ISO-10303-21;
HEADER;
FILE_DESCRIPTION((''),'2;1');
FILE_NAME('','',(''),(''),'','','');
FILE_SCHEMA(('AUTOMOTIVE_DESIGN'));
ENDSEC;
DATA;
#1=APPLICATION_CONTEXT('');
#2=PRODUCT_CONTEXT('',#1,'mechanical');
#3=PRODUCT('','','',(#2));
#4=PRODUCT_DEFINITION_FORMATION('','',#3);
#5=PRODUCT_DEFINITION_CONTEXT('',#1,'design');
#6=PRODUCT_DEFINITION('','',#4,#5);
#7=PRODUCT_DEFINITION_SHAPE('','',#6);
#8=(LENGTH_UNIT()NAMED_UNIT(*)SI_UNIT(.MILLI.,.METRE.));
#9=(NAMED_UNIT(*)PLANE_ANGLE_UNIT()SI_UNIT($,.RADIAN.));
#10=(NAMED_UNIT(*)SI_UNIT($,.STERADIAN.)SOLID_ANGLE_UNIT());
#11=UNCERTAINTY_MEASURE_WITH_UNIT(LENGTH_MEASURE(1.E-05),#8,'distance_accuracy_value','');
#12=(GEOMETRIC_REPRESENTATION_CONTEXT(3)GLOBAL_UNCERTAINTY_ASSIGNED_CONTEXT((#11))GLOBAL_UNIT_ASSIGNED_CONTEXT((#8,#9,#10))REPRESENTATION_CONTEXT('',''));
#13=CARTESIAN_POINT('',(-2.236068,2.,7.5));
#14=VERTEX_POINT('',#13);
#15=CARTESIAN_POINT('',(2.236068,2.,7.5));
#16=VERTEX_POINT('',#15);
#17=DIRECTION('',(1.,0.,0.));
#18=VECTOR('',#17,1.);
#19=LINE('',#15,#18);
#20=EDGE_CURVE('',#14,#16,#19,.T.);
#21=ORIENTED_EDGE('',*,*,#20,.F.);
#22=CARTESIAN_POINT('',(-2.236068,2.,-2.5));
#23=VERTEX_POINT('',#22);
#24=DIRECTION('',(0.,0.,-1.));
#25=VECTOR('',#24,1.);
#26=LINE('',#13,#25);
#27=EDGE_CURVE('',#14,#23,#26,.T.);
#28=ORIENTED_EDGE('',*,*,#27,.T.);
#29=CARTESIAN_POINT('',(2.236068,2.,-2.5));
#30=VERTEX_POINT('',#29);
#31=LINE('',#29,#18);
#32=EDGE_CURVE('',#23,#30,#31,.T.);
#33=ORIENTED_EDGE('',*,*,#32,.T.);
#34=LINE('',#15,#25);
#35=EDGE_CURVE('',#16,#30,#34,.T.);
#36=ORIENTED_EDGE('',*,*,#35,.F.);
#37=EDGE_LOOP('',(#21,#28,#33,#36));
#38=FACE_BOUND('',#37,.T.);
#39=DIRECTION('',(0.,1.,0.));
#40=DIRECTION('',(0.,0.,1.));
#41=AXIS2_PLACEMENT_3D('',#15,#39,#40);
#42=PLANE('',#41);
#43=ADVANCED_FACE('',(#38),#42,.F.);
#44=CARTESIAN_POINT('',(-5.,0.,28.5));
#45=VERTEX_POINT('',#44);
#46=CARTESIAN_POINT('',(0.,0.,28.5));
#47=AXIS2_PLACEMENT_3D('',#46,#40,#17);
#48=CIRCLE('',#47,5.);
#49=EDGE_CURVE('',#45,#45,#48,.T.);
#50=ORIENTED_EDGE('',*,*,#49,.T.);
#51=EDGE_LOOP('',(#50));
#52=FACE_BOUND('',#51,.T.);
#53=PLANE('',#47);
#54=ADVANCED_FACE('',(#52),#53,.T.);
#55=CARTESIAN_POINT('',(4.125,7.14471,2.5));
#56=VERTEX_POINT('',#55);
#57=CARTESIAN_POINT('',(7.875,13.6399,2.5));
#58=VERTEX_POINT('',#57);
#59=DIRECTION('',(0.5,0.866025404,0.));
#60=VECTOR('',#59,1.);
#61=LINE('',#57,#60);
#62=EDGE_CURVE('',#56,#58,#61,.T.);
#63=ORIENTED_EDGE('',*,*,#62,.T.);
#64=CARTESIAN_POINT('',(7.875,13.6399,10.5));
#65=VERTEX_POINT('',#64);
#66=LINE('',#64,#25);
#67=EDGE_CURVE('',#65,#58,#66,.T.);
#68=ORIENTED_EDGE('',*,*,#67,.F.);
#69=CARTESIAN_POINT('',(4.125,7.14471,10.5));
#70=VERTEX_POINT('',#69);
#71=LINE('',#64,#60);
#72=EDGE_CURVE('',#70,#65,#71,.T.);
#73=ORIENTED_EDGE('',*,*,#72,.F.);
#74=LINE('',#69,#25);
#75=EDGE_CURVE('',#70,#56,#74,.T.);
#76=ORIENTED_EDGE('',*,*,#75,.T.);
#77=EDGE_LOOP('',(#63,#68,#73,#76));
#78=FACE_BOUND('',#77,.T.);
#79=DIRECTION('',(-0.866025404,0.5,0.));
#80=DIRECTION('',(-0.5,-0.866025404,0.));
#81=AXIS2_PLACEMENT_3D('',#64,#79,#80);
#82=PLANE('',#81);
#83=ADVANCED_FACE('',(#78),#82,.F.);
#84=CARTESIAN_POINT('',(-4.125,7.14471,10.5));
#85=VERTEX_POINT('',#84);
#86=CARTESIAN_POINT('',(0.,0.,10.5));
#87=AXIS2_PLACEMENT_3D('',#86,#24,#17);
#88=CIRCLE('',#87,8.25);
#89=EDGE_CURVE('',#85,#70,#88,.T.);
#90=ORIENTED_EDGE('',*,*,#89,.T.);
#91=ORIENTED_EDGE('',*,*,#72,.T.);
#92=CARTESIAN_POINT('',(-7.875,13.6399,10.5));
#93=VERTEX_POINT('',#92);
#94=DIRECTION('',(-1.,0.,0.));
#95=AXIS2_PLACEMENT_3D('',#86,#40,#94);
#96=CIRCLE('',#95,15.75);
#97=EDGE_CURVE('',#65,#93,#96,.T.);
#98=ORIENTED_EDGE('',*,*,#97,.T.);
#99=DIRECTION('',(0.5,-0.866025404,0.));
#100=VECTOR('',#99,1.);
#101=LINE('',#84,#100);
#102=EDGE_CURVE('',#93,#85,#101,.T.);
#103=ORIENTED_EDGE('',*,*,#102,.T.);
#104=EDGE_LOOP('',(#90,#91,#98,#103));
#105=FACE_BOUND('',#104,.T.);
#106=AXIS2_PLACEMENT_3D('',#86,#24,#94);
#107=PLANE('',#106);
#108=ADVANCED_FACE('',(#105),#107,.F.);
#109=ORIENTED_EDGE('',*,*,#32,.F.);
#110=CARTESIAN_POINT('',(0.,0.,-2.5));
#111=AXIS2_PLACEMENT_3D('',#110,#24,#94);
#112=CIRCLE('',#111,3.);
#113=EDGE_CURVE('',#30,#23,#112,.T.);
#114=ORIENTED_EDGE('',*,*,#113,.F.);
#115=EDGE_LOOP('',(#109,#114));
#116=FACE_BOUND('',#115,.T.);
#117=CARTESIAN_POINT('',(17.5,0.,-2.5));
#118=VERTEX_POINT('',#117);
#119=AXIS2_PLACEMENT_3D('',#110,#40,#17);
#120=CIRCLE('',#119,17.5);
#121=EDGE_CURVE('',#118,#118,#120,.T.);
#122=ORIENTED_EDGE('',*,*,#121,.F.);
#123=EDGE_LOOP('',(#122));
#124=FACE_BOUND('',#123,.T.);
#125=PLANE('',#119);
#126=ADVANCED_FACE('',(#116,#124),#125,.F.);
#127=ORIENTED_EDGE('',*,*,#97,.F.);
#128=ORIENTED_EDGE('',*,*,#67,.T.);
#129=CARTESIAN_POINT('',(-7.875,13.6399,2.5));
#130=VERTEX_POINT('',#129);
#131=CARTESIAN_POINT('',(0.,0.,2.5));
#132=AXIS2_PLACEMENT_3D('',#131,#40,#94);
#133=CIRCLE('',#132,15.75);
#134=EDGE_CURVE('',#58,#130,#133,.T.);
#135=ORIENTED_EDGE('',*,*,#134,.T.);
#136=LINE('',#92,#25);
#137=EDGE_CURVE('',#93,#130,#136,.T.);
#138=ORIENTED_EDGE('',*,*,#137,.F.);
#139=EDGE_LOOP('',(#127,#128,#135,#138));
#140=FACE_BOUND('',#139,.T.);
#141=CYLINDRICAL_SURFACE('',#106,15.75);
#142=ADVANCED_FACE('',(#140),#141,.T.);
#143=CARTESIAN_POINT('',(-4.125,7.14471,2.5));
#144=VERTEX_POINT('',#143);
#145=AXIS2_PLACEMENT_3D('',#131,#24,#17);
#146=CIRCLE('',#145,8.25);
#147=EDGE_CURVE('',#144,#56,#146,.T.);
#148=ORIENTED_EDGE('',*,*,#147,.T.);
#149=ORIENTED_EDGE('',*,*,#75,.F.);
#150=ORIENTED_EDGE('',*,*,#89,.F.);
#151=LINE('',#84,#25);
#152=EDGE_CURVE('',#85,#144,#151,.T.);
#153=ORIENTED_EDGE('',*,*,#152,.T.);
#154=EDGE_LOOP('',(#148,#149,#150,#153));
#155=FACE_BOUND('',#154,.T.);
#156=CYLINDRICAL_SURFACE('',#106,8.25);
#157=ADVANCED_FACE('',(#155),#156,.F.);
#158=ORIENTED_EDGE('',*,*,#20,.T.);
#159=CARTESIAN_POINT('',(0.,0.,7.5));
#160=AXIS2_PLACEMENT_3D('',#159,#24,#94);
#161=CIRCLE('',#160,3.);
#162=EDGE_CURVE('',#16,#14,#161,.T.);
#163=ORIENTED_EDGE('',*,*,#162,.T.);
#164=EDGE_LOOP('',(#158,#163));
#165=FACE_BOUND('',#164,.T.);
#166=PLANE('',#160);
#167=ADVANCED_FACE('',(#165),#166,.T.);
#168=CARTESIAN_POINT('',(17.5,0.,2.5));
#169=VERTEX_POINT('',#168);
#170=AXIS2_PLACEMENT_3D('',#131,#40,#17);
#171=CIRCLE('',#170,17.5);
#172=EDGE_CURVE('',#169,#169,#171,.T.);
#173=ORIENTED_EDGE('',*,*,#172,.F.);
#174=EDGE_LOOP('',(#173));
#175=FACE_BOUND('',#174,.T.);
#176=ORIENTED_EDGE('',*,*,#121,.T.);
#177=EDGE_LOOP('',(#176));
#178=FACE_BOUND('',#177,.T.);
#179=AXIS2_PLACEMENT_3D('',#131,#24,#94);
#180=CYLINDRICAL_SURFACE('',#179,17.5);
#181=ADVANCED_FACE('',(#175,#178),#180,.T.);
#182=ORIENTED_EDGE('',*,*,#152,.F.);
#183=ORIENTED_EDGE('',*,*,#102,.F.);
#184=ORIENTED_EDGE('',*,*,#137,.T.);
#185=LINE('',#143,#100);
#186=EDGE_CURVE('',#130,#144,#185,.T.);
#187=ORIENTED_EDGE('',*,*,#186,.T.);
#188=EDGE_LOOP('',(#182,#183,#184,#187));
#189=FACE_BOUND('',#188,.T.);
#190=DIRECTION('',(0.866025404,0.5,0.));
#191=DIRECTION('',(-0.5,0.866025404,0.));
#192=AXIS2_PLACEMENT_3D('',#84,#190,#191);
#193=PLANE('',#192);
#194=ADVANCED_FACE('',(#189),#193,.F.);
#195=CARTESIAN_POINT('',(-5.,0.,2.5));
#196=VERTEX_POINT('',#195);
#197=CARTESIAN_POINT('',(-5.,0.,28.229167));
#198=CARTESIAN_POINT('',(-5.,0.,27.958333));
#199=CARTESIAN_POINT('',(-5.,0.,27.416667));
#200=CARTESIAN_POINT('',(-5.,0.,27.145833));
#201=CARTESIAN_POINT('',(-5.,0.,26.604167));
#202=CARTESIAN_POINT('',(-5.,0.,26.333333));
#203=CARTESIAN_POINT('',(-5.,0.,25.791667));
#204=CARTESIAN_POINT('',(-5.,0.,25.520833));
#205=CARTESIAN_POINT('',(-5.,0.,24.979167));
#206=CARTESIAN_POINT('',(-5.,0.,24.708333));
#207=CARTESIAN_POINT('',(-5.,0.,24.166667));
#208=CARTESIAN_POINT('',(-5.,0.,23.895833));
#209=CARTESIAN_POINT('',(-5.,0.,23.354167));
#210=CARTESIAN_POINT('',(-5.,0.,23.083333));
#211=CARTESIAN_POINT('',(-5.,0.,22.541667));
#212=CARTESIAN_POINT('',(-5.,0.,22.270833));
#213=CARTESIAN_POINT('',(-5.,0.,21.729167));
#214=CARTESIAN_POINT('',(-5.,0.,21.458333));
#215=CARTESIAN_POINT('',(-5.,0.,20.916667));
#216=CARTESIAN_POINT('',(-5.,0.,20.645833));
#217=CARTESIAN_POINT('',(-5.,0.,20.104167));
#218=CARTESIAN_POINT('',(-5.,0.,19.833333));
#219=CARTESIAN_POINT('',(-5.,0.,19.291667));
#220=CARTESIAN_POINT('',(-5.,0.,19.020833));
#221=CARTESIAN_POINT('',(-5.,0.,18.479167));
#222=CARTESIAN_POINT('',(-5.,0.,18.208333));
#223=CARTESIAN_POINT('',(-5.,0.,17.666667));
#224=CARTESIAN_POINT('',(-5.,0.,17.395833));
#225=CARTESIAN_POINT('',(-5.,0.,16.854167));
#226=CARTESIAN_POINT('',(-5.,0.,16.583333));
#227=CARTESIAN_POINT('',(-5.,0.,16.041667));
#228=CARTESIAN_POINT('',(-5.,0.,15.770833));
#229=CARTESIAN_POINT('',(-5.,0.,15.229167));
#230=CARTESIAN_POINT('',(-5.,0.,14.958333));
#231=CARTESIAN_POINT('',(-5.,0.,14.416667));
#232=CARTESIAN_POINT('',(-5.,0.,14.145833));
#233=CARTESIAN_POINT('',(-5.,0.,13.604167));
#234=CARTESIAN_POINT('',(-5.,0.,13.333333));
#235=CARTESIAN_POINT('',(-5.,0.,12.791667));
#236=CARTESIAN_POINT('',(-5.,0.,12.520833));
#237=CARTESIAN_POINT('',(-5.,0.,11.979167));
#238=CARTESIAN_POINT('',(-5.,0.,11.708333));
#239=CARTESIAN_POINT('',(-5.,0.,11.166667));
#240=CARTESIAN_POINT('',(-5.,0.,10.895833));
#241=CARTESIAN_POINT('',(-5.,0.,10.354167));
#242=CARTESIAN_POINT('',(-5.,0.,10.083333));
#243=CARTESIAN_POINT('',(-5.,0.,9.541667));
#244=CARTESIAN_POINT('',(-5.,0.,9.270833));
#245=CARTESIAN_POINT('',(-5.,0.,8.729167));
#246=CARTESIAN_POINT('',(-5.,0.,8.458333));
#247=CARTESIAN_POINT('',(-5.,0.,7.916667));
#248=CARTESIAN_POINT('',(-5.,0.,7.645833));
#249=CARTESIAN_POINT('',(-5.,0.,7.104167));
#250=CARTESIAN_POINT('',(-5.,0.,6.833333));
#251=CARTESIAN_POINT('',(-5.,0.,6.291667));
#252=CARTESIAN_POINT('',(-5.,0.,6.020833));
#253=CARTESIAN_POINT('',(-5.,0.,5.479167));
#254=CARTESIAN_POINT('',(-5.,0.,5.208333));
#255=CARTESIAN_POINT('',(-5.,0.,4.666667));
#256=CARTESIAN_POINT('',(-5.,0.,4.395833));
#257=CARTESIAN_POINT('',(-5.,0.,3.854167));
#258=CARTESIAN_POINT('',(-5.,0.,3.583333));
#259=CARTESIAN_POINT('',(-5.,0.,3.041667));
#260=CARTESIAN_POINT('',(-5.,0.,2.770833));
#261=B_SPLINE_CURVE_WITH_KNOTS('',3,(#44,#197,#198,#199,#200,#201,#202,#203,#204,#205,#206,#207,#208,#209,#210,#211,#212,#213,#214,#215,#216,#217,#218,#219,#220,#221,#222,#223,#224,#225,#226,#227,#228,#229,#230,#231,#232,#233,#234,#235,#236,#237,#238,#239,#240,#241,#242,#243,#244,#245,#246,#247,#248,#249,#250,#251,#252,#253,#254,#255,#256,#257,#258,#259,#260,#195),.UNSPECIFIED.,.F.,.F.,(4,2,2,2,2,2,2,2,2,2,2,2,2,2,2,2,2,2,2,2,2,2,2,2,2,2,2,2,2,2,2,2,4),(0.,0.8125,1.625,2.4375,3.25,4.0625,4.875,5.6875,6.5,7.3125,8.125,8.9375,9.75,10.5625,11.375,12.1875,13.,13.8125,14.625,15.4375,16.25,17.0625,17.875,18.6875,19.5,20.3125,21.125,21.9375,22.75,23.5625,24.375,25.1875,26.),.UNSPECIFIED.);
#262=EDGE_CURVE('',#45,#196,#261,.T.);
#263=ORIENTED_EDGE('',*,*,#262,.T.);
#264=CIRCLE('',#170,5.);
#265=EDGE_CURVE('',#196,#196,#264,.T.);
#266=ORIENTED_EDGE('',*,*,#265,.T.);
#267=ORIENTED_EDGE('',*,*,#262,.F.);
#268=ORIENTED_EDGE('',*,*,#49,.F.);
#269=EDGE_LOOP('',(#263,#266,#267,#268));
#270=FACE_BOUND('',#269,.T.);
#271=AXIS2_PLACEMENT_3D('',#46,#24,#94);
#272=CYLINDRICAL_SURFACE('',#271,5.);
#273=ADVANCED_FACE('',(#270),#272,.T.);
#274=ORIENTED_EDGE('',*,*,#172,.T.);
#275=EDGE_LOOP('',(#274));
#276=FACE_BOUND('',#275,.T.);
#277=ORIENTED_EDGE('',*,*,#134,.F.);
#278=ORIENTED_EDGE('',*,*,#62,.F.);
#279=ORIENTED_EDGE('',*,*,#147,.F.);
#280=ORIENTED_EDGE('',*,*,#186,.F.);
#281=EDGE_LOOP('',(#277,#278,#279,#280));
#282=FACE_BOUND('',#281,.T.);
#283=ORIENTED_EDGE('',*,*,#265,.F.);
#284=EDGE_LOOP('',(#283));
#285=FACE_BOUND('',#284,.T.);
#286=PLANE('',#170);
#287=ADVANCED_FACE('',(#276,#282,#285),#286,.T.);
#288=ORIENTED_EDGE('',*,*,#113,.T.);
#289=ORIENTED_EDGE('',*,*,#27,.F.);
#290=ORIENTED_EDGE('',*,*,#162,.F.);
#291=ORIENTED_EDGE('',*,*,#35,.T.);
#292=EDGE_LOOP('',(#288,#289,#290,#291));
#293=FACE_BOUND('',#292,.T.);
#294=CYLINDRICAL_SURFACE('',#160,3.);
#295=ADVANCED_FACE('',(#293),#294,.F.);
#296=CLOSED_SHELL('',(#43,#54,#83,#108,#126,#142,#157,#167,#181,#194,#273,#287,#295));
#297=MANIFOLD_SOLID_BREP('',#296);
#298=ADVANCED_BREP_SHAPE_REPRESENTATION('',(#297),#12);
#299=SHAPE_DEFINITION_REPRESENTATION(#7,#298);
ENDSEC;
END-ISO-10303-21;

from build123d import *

# Parameters (mm, degrees)
SKETCH1_R           = 17.5
BOSS_EXTRUDE1_DEPTH = 2.5
BOSS_EXTRUDE2_DEPTH = 8
SKETCH3_R           = 5
BOSS_EXTRUDE3_DEPTH = 26
CUT_EXTRUDE1_DEPTH  = 10


with BuildPart() as part:
    # Sketch1 → Boss-Extrude1 (new, symmetric)
    with BuildSketch(Plane.XY):
        Circle(SKETCH1_R)
    extrude(amount=BOSS_EXTRUDE1_DEPTH, both=True)

    # Sketch2 → Boss-Extrude2 (add)
    with BuildSketch(Plane.XY.offset(2.5)):
        with BuildLine():
            Line((7.875, 13.63990011), (4.125, 7.144709581))
            ThreePointArc((4.125, 7.144709581), (0, 8.25), (-4.125, 7.144709581))
            Line((-4.125, 7.144709581), (-7.875, 13.63990011))
            ThreePointArc((-7.875, 13.63990011), (0, 15.75), (7.875, 13.63990011))
        make_face()
    extrude(amount=BOSS_EXTRUDE2_DEPTH)

    # Sketch3 → Boss-Extrude3 (add)
    with BuildSketch(Plane.XY.offset(2.5)):
        with Locations(Location((0, 0, 0), (0, 0, 180))):
            Circle(SKETCH3_R)
    extrude(amount=BOSS_EXTRUDE3_DEPTH)

    # Sketch4 → Cut-Extrude1 (cut)
    with BuildSketch(Plane(origin=(0, 0, -2.5), x_dir=(-1, 0, 0), z_dir=(0, 0, -1))):
        with BuildLine():
            Line((-2.236067977, 2), (2.236067977, 2))
            ThreePointArc((2.236067977, 2), (0, -3), (-2.236067977, 2))
        make_face()
    extrude(amount=-CUT_EXTRUDE1_DEPTH, mode=Mode.SUBTRACT)


solid = part.part
